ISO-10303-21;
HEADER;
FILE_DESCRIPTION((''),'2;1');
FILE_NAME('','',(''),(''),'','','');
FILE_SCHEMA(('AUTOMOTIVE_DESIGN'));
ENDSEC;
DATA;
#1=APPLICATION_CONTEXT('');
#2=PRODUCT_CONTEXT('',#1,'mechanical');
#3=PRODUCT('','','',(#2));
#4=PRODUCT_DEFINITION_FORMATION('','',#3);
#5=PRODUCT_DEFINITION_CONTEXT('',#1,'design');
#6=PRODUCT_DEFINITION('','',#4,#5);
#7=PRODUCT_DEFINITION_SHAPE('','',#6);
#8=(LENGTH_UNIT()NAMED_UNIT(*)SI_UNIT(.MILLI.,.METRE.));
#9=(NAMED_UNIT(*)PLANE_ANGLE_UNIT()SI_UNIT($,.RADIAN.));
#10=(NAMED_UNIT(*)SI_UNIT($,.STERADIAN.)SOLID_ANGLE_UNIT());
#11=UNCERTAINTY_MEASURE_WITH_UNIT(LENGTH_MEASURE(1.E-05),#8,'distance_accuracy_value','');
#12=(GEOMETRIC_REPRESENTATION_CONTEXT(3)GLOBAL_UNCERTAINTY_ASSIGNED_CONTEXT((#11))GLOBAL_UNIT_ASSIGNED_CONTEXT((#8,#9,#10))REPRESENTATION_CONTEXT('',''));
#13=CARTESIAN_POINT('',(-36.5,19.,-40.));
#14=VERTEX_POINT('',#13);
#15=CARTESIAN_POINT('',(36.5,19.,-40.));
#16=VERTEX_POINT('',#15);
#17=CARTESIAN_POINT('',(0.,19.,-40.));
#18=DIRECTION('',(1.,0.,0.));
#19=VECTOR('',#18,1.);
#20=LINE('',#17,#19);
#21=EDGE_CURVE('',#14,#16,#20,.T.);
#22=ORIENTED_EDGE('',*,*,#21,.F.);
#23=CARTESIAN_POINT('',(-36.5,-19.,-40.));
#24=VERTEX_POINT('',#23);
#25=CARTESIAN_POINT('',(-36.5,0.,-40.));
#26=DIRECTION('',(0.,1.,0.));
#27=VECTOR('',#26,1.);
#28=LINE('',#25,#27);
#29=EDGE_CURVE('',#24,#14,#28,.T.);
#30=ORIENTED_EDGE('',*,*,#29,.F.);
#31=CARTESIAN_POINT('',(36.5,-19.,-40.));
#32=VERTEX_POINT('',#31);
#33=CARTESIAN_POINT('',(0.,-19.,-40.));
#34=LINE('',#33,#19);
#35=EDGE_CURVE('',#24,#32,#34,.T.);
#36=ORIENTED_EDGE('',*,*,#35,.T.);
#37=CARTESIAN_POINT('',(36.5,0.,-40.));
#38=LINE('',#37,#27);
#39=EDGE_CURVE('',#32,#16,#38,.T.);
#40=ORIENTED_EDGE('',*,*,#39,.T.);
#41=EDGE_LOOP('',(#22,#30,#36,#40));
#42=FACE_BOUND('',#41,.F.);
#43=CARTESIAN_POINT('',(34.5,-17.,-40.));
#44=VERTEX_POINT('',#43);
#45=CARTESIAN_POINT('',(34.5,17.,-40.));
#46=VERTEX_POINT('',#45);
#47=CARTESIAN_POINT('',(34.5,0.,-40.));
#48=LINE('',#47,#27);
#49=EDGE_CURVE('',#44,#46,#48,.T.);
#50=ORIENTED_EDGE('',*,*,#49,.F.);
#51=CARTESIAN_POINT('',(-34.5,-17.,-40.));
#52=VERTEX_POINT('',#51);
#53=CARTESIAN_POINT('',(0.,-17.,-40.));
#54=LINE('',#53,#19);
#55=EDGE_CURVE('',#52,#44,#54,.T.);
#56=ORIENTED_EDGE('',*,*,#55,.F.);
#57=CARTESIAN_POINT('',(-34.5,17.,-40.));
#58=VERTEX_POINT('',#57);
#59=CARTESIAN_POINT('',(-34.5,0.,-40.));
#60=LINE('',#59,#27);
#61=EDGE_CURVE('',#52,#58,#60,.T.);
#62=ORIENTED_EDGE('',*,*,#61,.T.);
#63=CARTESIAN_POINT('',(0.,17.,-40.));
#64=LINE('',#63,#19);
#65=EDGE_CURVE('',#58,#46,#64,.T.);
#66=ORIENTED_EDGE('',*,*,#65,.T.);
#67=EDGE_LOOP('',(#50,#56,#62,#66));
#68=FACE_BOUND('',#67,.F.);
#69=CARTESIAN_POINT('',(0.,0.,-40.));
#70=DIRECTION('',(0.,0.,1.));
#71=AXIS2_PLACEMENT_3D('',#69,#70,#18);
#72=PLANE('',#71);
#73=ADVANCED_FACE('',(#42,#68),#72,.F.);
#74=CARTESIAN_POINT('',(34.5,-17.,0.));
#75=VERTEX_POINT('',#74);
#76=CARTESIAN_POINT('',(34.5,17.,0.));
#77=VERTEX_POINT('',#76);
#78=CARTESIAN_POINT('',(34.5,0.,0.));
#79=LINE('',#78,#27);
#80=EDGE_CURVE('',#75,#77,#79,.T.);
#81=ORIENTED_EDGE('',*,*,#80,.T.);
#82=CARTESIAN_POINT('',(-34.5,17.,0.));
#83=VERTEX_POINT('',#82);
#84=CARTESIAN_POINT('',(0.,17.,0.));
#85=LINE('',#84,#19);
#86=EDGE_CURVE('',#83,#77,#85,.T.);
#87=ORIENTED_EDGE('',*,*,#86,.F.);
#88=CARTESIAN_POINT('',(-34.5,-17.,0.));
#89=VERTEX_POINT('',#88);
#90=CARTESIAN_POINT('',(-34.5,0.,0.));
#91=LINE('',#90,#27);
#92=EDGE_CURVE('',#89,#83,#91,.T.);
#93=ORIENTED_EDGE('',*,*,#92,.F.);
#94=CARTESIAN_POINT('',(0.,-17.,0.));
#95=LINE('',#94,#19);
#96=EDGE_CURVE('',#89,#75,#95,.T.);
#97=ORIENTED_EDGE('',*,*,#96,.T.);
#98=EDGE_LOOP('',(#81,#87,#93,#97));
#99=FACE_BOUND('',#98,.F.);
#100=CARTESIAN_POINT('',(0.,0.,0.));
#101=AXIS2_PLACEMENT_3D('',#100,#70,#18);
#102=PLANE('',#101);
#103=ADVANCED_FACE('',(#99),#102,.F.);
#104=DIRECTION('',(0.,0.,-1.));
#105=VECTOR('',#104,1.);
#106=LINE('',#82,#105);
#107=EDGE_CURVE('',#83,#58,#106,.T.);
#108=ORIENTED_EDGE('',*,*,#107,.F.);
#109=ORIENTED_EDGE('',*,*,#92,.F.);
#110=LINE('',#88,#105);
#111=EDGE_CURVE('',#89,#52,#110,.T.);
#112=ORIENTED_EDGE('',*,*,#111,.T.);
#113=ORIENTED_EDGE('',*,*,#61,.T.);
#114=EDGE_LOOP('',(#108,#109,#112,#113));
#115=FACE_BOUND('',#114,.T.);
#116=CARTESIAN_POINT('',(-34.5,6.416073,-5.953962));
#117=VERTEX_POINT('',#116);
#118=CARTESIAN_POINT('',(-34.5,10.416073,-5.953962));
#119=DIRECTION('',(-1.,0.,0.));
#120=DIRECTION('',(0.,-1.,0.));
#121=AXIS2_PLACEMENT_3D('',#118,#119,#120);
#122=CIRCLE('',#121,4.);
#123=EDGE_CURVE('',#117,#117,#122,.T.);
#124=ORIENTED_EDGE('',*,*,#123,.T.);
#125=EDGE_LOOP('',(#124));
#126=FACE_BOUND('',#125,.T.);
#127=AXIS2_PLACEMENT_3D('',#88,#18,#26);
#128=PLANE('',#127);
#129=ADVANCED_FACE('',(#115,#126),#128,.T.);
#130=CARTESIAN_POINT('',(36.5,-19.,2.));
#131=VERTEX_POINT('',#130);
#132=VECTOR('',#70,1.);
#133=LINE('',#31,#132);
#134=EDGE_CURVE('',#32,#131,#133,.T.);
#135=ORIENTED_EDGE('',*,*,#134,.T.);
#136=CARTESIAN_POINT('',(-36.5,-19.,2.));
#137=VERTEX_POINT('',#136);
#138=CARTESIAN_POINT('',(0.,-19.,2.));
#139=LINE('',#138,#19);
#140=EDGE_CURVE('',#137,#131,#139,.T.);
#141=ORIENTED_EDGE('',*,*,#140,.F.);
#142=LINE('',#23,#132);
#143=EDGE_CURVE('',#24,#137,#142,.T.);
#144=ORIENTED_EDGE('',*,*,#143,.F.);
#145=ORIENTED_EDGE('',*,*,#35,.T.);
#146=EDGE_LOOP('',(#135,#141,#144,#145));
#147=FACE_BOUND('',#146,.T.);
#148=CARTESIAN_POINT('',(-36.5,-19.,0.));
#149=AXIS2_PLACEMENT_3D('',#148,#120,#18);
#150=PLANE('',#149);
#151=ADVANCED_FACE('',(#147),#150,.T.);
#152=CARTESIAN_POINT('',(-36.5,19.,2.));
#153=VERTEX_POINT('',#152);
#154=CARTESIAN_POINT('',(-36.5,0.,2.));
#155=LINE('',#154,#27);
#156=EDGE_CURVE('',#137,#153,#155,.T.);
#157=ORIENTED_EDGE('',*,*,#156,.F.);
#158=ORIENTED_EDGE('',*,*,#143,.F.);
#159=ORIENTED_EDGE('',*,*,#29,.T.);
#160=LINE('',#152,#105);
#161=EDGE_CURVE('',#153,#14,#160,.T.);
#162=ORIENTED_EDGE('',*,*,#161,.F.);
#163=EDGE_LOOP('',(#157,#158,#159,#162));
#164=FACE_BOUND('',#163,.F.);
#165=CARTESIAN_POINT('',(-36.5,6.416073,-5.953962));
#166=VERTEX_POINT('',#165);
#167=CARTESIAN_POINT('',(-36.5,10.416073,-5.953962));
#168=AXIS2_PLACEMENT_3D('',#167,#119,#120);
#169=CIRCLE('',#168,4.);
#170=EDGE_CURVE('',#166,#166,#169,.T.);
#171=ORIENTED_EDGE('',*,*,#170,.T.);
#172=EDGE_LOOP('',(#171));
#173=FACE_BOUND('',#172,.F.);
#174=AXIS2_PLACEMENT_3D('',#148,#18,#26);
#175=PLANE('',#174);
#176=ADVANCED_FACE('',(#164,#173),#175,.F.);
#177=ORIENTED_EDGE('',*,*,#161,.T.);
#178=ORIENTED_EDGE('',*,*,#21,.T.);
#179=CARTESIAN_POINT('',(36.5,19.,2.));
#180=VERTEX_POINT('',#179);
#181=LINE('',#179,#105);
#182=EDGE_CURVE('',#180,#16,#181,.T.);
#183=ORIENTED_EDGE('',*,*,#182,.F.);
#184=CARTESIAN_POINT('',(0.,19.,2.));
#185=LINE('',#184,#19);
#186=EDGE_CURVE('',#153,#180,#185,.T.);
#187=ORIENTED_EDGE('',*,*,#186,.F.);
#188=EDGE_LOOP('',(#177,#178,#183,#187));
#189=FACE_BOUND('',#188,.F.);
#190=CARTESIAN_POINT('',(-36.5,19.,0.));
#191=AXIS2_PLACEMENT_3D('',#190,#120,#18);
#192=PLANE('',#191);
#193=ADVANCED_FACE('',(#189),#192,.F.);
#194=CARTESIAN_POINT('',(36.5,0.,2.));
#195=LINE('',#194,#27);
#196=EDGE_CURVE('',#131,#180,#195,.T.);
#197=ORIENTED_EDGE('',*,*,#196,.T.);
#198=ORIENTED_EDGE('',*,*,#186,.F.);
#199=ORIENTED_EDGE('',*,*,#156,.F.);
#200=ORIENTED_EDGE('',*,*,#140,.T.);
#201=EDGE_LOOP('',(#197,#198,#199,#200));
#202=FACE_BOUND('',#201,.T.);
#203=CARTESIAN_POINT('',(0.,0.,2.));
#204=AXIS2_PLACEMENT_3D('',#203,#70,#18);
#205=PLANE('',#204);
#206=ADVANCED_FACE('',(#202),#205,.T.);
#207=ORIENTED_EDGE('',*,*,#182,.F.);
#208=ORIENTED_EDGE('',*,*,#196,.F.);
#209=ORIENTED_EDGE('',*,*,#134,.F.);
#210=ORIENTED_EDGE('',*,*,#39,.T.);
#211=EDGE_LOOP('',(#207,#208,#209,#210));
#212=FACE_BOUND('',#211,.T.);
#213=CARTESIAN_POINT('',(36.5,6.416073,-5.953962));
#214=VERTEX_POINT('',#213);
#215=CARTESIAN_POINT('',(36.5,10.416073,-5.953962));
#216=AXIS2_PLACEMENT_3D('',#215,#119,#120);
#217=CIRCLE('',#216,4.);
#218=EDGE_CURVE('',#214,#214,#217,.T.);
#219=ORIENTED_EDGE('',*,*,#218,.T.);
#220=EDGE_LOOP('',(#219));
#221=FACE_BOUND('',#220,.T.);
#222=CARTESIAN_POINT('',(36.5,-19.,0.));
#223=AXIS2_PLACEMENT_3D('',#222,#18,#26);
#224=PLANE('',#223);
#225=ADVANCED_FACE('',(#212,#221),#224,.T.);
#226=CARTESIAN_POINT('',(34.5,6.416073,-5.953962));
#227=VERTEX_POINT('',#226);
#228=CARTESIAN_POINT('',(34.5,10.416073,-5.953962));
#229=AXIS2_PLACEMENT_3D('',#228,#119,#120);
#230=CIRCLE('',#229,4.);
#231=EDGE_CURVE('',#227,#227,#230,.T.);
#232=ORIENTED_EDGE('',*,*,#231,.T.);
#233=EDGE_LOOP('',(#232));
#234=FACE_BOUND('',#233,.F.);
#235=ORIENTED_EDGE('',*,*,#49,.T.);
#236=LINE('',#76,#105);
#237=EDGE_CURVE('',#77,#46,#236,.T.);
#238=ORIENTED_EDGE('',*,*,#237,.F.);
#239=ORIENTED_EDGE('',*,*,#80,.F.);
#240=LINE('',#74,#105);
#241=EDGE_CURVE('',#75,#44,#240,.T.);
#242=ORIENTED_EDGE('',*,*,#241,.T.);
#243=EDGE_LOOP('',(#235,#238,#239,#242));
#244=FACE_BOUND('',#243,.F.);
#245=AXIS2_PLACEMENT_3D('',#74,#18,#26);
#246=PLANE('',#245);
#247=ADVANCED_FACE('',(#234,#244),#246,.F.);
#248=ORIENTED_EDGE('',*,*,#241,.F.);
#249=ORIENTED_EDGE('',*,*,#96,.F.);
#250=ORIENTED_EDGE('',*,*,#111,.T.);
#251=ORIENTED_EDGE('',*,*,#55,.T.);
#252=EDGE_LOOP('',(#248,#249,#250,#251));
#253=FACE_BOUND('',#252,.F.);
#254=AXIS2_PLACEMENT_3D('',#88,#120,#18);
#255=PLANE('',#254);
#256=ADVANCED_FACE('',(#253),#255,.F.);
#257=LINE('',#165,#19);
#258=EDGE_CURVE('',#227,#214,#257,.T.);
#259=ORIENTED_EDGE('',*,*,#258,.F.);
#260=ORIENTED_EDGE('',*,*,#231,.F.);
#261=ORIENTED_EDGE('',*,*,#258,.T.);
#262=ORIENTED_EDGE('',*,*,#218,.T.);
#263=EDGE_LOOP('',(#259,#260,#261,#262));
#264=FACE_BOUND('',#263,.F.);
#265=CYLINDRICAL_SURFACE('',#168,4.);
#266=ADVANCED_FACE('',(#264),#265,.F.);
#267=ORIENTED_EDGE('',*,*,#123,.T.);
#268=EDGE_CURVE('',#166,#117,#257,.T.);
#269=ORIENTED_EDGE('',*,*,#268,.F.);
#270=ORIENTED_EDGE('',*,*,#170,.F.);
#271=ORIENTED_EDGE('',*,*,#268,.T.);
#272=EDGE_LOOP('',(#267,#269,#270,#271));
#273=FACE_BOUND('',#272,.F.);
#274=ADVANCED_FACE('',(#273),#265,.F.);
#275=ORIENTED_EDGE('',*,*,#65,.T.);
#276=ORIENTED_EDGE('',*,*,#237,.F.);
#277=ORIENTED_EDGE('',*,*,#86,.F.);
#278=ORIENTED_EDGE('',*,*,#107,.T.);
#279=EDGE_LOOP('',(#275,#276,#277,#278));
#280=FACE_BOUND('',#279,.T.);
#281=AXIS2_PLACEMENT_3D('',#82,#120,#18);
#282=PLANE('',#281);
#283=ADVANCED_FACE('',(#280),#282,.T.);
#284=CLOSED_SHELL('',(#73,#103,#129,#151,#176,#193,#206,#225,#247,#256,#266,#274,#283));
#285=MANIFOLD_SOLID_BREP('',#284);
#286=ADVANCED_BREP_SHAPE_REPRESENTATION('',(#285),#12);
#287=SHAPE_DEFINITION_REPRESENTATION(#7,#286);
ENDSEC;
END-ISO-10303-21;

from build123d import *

# Parameters (mm, degrees)
F0_W     = 73
F0_H     = 38
F0_W_2   = 69
F0_H_2   = 34
F1_DEPTH = 2
F2_DEPTH = 40
F3_R     = 4
F4_DEPTH = 73.001


with BuildPart() as f1:
    # F0 (on Top) → F1 (new body)
    with BuildSketch(Plane.XY):
        Rectangle(F0_W, F0_H)
        Rectangle(F0_W_2, F0_H_2, mode=Mode.SUBTRACT)
        Rectangle(F0_W_2, F0_H_2)
    extrude(amount=F1_DEPTH)

    # F0 (on Top) → F2 (join)
    with BuildSketch(Plane.XY):
        Rectangle(F0_W, F0_H)
        Rectangle(F0_W_2, F0_H_2, mode=Mode.SUBTRACT)
    extrude(amount=-F2_DEPTH)

    # F3 (on face) → F4 (cut, through all)
    with BuildSketch(Plane(origin=(-36.5, 0, 0), x_dir=(0, -1, 0), z_dir=(-1, 0, 0))):
        with Locations((-10.416073, -5.953962)):
            Circle(F3_R)
    extrude(amount=-F4_DEPTH, mode=Mode.SUBTRACT)


solid = f1.part
